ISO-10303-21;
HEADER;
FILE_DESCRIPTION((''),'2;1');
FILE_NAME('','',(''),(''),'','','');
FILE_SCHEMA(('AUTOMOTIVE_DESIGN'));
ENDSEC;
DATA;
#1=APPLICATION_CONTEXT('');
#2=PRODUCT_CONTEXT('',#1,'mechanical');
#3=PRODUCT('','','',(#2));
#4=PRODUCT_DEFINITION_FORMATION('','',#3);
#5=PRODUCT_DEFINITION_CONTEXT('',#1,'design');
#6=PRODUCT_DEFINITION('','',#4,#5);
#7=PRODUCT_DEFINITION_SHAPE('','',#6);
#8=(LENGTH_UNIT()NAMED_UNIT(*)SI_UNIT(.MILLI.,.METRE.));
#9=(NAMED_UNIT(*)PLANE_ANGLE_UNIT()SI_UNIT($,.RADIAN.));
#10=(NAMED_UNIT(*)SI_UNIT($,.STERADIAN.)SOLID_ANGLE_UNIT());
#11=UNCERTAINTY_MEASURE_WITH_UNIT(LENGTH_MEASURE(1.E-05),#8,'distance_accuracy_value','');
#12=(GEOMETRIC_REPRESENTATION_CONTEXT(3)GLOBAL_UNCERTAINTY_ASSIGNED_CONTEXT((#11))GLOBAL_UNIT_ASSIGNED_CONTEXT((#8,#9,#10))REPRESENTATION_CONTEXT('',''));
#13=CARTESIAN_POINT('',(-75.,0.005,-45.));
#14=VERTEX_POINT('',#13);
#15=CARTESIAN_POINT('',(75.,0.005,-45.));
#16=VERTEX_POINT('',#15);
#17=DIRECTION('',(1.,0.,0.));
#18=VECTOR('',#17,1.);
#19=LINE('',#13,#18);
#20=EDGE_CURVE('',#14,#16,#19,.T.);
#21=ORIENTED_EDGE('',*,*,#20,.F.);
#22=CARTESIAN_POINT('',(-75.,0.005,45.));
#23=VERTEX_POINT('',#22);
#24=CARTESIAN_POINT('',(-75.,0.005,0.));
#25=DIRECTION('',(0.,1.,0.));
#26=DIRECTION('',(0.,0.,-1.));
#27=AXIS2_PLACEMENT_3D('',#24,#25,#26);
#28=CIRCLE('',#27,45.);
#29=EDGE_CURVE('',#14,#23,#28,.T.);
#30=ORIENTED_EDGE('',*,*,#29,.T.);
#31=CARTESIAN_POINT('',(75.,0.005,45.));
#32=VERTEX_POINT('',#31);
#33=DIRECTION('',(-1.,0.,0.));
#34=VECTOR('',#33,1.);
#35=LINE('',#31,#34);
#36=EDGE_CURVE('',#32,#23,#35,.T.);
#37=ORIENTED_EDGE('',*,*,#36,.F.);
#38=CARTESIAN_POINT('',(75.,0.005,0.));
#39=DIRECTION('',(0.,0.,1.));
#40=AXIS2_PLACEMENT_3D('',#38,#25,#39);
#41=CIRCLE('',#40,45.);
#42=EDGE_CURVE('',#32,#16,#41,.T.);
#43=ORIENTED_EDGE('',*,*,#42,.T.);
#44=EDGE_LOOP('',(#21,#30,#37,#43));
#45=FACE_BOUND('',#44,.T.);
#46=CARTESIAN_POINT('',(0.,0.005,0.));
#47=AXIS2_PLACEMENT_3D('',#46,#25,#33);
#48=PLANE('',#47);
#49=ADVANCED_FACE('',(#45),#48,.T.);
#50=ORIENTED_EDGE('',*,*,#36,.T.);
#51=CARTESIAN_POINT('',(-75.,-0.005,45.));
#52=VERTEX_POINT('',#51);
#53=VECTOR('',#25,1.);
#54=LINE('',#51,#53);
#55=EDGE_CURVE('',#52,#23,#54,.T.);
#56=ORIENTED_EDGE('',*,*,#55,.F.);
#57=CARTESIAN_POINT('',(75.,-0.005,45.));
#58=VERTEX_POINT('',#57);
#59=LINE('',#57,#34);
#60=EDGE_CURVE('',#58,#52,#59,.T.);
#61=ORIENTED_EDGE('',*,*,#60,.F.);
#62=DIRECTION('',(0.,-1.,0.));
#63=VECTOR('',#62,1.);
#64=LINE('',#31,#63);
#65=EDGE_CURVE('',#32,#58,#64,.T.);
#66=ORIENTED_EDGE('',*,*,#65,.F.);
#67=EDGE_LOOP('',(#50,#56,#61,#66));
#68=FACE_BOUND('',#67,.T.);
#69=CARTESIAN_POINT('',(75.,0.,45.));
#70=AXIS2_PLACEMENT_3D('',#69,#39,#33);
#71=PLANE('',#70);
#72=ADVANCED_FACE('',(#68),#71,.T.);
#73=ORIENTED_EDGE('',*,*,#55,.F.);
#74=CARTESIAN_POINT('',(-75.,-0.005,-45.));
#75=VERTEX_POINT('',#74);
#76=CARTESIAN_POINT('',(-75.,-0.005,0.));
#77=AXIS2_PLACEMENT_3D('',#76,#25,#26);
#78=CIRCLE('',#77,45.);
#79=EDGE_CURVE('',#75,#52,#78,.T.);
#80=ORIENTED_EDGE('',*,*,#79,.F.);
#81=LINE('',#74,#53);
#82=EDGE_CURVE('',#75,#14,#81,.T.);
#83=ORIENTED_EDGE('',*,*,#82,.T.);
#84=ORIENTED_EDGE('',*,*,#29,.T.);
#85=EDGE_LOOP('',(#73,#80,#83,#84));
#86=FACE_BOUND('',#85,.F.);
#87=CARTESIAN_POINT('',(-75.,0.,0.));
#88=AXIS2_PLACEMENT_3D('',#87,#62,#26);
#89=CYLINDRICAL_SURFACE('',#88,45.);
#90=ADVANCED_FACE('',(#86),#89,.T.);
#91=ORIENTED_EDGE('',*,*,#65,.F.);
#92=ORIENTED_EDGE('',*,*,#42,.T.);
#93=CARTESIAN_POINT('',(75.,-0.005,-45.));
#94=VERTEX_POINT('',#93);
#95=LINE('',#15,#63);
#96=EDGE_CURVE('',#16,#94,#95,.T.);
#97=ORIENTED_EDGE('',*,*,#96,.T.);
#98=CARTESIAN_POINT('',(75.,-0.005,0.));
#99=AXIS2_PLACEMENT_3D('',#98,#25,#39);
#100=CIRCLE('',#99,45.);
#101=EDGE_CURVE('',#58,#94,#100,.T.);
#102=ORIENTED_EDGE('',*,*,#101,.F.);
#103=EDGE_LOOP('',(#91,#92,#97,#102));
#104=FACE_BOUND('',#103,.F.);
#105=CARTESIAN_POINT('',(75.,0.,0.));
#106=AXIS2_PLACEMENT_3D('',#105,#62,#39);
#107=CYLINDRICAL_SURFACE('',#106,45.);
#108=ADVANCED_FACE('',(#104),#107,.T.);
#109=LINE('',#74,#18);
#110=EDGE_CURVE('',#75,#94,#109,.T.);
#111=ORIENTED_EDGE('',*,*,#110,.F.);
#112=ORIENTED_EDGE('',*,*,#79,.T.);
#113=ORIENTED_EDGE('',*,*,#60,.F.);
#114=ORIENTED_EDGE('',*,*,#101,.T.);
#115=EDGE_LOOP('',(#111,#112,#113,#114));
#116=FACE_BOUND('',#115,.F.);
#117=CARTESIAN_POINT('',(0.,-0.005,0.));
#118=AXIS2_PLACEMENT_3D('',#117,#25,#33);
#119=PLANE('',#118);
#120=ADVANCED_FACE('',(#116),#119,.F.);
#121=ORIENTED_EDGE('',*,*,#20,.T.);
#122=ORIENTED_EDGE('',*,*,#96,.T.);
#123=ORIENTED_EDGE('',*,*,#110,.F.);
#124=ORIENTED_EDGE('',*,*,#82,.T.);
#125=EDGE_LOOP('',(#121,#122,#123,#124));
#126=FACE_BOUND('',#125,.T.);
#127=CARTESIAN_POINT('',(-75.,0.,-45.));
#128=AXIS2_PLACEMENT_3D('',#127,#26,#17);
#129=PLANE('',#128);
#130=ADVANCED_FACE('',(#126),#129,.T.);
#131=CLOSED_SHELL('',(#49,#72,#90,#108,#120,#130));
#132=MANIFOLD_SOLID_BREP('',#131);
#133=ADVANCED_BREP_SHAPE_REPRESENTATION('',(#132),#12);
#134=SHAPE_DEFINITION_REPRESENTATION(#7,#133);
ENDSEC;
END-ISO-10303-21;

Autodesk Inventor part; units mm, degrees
ref_plane "YZ Plane" through (0, 0, 0) normal (1, 0, 0) x (0, 1, 0)
ref_plane "XZ Plane" through (0, 0, 0) normal (0, 1, 0) x (-1, 0, 0)
ref_plane "XY Plane" through (0, 0, 0) normal (0, 0, 1) x (1, 0, 0)
sketch "Sketch1" plane through (0, 0, 0) normal (0, 1, 0) x (-1, 0, 0)
  line L0 (75, -45) -> (-75, -45)
  line L1 (-75, 45) -> (75, 45)
  arc A0 (75, -45) -> (75, 45) centre (75, 0) ccw
  arc A1 (-75, 45) -> (-75, -45) centre (-75, 0) ccw
  line L2 (0, -45) -> (0, 45) construction
  line L3 (75, 0) -> (-75, 0) construction
  point P0 (0, 0)
  dimension "d1" = 45
  dimension "d2" = 150
  dimension "d3" = 90
extrude "Extrusion1" add sketch "Sketch1" along normal mid plane 0.01
properties part number "Trigger_Velostat" material "Rubber"
